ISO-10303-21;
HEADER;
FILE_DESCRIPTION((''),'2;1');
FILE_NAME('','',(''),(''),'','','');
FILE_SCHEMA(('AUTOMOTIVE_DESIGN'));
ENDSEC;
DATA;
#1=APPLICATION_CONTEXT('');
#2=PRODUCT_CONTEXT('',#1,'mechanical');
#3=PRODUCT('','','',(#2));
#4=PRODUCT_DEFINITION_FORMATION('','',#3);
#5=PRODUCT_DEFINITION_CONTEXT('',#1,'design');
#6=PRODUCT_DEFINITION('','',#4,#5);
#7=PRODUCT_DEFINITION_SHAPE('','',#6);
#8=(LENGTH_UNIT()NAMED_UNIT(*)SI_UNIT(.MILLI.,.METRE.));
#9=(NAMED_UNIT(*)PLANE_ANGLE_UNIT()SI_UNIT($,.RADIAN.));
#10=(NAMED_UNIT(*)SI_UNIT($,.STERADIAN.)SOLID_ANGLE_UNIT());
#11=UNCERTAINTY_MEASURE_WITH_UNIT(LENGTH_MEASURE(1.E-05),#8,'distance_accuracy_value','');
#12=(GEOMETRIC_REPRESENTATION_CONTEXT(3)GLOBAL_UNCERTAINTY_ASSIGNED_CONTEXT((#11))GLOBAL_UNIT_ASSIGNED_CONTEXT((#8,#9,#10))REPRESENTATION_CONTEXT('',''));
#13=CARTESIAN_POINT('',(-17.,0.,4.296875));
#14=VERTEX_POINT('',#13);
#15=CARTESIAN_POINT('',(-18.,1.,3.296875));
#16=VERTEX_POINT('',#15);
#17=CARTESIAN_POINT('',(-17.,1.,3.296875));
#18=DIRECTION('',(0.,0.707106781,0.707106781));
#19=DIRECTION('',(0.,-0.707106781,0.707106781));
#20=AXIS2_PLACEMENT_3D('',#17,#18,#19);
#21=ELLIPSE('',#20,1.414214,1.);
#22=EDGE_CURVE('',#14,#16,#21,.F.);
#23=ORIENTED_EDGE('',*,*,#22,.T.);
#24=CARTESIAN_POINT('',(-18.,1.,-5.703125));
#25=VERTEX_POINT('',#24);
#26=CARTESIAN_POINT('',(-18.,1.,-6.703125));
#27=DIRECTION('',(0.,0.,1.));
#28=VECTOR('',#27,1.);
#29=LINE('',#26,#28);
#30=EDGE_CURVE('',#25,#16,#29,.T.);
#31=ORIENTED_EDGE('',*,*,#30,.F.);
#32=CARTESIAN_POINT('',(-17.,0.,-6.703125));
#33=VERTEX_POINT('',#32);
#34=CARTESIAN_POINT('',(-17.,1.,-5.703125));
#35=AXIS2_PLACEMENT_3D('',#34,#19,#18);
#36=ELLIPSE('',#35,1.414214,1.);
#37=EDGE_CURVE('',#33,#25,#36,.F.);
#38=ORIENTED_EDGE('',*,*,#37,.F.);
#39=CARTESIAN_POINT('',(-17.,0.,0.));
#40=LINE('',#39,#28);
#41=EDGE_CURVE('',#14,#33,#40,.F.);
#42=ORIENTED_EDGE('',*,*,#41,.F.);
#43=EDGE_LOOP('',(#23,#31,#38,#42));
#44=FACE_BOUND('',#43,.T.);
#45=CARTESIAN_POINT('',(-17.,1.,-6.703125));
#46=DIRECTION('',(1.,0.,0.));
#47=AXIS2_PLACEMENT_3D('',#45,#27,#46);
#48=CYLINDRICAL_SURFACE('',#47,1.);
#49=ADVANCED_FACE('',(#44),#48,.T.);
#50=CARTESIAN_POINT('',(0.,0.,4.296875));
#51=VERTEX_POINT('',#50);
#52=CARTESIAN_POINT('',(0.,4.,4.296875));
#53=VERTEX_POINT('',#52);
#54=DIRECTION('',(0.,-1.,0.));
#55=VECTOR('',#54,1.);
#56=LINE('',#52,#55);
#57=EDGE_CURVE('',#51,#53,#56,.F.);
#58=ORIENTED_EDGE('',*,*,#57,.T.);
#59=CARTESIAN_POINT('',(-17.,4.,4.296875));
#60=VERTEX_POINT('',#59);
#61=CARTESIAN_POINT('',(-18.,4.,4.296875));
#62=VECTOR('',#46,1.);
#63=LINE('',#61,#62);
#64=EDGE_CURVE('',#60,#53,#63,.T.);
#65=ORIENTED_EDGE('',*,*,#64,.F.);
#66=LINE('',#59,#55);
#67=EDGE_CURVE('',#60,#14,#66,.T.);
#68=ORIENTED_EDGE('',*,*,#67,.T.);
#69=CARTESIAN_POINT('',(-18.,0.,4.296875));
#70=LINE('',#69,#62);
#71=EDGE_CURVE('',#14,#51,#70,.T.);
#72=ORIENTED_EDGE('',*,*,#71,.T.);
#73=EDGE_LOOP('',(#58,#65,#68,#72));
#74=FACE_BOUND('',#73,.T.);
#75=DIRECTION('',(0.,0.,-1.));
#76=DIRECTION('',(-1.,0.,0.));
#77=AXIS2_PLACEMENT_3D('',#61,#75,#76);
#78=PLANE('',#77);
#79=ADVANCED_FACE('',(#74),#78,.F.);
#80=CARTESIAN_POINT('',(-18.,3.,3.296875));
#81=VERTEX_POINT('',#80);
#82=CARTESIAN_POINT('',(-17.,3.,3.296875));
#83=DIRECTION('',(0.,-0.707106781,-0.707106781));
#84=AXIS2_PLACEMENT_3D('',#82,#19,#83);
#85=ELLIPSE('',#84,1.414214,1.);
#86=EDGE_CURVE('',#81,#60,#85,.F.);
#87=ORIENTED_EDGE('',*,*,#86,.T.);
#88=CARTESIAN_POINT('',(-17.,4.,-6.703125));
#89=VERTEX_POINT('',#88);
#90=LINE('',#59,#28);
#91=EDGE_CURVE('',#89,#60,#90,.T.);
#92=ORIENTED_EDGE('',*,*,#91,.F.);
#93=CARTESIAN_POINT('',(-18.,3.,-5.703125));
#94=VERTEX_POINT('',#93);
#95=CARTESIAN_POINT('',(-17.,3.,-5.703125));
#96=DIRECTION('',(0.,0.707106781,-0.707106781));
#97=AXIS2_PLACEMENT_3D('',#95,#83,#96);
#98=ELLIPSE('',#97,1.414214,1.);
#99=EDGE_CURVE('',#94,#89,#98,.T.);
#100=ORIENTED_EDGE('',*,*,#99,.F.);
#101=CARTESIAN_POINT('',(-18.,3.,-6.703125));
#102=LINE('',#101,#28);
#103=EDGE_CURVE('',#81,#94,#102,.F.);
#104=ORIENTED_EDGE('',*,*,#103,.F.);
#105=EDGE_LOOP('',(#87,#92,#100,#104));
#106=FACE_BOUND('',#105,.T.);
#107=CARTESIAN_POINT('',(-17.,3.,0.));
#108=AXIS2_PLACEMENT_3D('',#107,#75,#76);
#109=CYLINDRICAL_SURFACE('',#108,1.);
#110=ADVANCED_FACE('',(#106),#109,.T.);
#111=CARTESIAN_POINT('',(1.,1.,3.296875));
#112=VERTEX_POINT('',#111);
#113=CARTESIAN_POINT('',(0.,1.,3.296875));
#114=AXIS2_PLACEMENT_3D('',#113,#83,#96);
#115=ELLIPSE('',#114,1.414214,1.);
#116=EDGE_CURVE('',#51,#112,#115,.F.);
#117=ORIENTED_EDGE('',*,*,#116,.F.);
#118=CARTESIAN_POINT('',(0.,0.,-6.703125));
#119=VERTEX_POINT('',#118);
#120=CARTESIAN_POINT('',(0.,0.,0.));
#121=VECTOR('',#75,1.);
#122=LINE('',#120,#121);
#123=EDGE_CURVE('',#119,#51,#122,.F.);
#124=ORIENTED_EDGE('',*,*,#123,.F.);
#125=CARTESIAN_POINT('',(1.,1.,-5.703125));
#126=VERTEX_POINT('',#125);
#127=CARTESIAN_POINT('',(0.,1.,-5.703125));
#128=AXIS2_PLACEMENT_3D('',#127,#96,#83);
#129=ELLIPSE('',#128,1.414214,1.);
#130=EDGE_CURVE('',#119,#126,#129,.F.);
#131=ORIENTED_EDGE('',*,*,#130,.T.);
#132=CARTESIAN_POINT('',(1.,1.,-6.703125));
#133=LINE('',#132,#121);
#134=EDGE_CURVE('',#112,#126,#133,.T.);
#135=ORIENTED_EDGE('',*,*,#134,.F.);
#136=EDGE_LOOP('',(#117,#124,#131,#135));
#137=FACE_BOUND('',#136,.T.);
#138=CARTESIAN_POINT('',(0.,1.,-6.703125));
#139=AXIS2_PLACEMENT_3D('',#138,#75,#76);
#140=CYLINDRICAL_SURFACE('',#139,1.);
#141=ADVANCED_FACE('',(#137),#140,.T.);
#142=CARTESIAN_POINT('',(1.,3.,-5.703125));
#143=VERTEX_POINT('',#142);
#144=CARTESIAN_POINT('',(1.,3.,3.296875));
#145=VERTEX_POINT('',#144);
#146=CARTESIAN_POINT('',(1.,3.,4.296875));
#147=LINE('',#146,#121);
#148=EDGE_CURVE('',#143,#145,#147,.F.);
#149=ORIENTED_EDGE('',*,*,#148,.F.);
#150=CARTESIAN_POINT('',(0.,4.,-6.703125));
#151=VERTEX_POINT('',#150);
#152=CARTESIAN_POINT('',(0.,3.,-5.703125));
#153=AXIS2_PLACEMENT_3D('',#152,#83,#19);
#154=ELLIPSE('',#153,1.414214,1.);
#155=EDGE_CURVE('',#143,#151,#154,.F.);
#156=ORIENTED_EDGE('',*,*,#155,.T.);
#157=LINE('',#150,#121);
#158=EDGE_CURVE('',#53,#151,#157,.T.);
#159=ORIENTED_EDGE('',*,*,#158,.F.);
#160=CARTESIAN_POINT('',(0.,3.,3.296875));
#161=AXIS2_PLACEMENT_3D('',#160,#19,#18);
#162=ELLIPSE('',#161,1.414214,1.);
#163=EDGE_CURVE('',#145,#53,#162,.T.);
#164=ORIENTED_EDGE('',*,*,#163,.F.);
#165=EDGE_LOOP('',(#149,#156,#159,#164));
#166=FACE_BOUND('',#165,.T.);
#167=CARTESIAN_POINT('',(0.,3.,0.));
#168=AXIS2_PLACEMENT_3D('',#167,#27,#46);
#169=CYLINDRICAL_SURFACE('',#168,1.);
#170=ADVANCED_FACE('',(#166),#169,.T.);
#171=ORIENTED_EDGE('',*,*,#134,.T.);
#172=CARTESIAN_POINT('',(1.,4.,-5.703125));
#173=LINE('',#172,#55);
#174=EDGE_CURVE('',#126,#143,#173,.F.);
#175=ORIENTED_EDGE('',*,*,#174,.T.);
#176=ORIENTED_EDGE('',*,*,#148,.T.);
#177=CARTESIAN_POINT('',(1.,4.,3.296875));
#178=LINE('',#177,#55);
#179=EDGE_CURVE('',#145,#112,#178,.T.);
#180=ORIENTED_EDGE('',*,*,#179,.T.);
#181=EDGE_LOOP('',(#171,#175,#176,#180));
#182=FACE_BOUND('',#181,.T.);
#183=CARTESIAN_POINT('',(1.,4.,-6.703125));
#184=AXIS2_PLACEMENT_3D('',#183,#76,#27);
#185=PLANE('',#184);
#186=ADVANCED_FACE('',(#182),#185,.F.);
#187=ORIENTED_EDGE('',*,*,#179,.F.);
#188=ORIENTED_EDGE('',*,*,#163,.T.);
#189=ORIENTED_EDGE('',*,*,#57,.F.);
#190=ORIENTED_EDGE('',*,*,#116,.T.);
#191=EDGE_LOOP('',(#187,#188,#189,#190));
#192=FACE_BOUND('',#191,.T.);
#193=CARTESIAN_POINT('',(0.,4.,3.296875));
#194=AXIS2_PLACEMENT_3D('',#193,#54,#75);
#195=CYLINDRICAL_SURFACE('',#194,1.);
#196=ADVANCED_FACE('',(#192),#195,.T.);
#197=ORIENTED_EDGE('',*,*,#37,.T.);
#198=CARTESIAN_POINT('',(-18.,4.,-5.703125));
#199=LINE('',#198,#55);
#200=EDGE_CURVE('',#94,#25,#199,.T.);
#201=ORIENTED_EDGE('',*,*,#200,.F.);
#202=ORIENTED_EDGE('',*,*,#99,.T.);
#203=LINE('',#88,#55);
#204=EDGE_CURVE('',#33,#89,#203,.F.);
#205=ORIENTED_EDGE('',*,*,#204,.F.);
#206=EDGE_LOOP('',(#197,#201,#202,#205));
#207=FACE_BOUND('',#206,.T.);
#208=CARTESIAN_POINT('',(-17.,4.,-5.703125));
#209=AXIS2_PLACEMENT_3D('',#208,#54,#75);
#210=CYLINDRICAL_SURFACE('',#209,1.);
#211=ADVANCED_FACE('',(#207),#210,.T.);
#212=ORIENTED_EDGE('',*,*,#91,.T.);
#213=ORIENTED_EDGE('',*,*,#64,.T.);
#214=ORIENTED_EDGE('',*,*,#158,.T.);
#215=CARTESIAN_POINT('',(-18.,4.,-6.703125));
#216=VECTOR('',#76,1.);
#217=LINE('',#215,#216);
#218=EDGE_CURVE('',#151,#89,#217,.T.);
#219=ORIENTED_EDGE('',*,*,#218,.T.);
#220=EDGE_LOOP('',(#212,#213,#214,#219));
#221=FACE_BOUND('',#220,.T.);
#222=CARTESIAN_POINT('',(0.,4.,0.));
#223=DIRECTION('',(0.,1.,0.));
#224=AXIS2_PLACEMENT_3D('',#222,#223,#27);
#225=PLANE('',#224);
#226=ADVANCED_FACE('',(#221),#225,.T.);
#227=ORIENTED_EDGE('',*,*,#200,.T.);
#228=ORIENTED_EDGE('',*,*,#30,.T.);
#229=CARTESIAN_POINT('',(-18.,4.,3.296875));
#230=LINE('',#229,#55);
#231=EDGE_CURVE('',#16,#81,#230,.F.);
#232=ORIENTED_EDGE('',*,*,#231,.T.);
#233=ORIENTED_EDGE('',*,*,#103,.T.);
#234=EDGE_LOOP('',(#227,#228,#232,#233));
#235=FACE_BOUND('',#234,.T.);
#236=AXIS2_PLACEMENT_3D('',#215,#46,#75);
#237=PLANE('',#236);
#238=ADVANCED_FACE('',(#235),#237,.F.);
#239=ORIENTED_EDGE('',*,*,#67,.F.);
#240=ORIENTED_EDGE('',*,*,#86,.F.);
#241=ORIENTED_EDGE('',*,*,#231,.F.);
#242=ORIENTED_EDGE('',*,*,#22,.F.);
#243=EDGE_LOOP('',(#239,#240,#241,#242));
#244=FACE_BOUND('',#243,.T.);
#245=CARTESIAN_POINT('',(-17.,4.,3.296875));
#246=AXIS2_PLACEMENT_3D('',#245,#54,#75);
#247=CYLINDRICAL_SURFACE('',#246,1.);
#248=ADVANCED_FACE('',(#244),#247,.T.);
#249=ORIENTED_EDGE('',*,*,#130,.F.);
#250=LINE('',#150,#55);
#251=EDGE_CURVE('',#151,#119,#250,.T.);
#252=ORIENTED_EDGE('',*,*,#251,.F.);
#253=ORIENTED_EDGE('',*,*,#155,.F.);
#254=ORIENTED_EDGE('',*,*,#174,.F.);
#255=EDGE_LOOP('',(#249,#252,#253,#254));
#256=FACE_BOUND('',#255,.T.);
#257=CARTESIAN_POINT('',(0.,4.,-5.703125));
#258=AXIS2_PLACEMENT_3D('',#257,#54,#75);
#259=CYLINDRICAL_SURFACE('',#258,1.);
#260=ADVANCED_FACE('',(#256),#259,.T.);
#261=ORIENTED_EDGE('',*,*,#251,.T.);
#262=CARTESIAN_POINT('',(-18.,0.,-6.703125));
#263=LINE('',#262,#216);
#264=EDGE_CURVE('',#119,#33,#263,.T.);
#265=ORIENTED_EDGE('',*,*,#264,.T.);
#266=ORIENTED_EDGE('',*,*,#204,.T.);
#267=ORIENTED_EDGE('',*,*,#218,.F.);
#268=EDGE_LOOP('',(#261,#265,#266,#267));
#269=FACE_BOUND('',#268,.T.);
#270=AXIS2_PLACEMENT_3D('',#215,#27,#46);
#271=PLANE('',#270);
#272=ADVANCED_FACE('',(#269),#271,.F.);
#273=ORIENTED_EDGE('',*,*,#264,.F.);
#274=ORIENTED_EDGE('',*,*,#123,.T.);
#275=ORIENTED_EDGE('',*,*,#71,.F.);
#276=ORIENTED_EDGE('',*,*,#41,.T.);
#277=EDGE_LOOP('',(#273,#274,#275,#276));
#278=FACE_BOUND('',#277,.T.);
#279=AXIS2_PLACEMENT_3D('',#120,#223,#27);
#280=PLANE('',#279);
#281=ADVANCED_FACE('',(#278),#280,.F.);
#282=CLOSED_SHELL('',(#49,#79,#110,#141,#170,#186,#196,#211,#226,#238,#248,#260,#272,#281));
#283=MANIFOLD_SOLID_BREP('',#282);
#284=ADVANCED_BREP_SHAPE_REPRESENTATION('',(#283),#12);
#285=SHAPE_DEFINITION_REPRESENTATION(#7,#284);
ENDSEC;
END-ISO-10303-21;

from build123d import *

# Parameters (mm, degrees)
SKETCH_1_W      = 19
SKETCH_1_H      = 11
EXTRUDE_1_DEPTH = 4
FILLET_1_R      = 1


with BuildPart() as part:
    # 草图1 → 凸台-拉伸1 (new body)
    with BuildSketch(Plane(origin=(0, 0, 0), x_dir=(1, 0, 0), z_dir=(0, 1, 0))):
        with Locations((-8.5, 1.203125)):
            Rectangle(SKETCH_1_W, SKETCH_1_H)
    extrude(amount=EXTRUDE_1_DEPTH)

    # 圆角1
    fillet_1_edges = [part.edges().sort_by_distance(p)[0] for p in [
        (-18, 4, -1.203125),
        (1, 4, -1.203125),
        (-18, 0, -1.203125),
        (1, 0, -1.203125),
        (1, 2, 4.296875),
        (-18, 2, 4.296875),
        (-18, 2, -6.703125),
        (1, 2, -6.703125),
    ]]
    fillet(fillet_1_edges, radius=FILLET_1_R)


solid = part.part
